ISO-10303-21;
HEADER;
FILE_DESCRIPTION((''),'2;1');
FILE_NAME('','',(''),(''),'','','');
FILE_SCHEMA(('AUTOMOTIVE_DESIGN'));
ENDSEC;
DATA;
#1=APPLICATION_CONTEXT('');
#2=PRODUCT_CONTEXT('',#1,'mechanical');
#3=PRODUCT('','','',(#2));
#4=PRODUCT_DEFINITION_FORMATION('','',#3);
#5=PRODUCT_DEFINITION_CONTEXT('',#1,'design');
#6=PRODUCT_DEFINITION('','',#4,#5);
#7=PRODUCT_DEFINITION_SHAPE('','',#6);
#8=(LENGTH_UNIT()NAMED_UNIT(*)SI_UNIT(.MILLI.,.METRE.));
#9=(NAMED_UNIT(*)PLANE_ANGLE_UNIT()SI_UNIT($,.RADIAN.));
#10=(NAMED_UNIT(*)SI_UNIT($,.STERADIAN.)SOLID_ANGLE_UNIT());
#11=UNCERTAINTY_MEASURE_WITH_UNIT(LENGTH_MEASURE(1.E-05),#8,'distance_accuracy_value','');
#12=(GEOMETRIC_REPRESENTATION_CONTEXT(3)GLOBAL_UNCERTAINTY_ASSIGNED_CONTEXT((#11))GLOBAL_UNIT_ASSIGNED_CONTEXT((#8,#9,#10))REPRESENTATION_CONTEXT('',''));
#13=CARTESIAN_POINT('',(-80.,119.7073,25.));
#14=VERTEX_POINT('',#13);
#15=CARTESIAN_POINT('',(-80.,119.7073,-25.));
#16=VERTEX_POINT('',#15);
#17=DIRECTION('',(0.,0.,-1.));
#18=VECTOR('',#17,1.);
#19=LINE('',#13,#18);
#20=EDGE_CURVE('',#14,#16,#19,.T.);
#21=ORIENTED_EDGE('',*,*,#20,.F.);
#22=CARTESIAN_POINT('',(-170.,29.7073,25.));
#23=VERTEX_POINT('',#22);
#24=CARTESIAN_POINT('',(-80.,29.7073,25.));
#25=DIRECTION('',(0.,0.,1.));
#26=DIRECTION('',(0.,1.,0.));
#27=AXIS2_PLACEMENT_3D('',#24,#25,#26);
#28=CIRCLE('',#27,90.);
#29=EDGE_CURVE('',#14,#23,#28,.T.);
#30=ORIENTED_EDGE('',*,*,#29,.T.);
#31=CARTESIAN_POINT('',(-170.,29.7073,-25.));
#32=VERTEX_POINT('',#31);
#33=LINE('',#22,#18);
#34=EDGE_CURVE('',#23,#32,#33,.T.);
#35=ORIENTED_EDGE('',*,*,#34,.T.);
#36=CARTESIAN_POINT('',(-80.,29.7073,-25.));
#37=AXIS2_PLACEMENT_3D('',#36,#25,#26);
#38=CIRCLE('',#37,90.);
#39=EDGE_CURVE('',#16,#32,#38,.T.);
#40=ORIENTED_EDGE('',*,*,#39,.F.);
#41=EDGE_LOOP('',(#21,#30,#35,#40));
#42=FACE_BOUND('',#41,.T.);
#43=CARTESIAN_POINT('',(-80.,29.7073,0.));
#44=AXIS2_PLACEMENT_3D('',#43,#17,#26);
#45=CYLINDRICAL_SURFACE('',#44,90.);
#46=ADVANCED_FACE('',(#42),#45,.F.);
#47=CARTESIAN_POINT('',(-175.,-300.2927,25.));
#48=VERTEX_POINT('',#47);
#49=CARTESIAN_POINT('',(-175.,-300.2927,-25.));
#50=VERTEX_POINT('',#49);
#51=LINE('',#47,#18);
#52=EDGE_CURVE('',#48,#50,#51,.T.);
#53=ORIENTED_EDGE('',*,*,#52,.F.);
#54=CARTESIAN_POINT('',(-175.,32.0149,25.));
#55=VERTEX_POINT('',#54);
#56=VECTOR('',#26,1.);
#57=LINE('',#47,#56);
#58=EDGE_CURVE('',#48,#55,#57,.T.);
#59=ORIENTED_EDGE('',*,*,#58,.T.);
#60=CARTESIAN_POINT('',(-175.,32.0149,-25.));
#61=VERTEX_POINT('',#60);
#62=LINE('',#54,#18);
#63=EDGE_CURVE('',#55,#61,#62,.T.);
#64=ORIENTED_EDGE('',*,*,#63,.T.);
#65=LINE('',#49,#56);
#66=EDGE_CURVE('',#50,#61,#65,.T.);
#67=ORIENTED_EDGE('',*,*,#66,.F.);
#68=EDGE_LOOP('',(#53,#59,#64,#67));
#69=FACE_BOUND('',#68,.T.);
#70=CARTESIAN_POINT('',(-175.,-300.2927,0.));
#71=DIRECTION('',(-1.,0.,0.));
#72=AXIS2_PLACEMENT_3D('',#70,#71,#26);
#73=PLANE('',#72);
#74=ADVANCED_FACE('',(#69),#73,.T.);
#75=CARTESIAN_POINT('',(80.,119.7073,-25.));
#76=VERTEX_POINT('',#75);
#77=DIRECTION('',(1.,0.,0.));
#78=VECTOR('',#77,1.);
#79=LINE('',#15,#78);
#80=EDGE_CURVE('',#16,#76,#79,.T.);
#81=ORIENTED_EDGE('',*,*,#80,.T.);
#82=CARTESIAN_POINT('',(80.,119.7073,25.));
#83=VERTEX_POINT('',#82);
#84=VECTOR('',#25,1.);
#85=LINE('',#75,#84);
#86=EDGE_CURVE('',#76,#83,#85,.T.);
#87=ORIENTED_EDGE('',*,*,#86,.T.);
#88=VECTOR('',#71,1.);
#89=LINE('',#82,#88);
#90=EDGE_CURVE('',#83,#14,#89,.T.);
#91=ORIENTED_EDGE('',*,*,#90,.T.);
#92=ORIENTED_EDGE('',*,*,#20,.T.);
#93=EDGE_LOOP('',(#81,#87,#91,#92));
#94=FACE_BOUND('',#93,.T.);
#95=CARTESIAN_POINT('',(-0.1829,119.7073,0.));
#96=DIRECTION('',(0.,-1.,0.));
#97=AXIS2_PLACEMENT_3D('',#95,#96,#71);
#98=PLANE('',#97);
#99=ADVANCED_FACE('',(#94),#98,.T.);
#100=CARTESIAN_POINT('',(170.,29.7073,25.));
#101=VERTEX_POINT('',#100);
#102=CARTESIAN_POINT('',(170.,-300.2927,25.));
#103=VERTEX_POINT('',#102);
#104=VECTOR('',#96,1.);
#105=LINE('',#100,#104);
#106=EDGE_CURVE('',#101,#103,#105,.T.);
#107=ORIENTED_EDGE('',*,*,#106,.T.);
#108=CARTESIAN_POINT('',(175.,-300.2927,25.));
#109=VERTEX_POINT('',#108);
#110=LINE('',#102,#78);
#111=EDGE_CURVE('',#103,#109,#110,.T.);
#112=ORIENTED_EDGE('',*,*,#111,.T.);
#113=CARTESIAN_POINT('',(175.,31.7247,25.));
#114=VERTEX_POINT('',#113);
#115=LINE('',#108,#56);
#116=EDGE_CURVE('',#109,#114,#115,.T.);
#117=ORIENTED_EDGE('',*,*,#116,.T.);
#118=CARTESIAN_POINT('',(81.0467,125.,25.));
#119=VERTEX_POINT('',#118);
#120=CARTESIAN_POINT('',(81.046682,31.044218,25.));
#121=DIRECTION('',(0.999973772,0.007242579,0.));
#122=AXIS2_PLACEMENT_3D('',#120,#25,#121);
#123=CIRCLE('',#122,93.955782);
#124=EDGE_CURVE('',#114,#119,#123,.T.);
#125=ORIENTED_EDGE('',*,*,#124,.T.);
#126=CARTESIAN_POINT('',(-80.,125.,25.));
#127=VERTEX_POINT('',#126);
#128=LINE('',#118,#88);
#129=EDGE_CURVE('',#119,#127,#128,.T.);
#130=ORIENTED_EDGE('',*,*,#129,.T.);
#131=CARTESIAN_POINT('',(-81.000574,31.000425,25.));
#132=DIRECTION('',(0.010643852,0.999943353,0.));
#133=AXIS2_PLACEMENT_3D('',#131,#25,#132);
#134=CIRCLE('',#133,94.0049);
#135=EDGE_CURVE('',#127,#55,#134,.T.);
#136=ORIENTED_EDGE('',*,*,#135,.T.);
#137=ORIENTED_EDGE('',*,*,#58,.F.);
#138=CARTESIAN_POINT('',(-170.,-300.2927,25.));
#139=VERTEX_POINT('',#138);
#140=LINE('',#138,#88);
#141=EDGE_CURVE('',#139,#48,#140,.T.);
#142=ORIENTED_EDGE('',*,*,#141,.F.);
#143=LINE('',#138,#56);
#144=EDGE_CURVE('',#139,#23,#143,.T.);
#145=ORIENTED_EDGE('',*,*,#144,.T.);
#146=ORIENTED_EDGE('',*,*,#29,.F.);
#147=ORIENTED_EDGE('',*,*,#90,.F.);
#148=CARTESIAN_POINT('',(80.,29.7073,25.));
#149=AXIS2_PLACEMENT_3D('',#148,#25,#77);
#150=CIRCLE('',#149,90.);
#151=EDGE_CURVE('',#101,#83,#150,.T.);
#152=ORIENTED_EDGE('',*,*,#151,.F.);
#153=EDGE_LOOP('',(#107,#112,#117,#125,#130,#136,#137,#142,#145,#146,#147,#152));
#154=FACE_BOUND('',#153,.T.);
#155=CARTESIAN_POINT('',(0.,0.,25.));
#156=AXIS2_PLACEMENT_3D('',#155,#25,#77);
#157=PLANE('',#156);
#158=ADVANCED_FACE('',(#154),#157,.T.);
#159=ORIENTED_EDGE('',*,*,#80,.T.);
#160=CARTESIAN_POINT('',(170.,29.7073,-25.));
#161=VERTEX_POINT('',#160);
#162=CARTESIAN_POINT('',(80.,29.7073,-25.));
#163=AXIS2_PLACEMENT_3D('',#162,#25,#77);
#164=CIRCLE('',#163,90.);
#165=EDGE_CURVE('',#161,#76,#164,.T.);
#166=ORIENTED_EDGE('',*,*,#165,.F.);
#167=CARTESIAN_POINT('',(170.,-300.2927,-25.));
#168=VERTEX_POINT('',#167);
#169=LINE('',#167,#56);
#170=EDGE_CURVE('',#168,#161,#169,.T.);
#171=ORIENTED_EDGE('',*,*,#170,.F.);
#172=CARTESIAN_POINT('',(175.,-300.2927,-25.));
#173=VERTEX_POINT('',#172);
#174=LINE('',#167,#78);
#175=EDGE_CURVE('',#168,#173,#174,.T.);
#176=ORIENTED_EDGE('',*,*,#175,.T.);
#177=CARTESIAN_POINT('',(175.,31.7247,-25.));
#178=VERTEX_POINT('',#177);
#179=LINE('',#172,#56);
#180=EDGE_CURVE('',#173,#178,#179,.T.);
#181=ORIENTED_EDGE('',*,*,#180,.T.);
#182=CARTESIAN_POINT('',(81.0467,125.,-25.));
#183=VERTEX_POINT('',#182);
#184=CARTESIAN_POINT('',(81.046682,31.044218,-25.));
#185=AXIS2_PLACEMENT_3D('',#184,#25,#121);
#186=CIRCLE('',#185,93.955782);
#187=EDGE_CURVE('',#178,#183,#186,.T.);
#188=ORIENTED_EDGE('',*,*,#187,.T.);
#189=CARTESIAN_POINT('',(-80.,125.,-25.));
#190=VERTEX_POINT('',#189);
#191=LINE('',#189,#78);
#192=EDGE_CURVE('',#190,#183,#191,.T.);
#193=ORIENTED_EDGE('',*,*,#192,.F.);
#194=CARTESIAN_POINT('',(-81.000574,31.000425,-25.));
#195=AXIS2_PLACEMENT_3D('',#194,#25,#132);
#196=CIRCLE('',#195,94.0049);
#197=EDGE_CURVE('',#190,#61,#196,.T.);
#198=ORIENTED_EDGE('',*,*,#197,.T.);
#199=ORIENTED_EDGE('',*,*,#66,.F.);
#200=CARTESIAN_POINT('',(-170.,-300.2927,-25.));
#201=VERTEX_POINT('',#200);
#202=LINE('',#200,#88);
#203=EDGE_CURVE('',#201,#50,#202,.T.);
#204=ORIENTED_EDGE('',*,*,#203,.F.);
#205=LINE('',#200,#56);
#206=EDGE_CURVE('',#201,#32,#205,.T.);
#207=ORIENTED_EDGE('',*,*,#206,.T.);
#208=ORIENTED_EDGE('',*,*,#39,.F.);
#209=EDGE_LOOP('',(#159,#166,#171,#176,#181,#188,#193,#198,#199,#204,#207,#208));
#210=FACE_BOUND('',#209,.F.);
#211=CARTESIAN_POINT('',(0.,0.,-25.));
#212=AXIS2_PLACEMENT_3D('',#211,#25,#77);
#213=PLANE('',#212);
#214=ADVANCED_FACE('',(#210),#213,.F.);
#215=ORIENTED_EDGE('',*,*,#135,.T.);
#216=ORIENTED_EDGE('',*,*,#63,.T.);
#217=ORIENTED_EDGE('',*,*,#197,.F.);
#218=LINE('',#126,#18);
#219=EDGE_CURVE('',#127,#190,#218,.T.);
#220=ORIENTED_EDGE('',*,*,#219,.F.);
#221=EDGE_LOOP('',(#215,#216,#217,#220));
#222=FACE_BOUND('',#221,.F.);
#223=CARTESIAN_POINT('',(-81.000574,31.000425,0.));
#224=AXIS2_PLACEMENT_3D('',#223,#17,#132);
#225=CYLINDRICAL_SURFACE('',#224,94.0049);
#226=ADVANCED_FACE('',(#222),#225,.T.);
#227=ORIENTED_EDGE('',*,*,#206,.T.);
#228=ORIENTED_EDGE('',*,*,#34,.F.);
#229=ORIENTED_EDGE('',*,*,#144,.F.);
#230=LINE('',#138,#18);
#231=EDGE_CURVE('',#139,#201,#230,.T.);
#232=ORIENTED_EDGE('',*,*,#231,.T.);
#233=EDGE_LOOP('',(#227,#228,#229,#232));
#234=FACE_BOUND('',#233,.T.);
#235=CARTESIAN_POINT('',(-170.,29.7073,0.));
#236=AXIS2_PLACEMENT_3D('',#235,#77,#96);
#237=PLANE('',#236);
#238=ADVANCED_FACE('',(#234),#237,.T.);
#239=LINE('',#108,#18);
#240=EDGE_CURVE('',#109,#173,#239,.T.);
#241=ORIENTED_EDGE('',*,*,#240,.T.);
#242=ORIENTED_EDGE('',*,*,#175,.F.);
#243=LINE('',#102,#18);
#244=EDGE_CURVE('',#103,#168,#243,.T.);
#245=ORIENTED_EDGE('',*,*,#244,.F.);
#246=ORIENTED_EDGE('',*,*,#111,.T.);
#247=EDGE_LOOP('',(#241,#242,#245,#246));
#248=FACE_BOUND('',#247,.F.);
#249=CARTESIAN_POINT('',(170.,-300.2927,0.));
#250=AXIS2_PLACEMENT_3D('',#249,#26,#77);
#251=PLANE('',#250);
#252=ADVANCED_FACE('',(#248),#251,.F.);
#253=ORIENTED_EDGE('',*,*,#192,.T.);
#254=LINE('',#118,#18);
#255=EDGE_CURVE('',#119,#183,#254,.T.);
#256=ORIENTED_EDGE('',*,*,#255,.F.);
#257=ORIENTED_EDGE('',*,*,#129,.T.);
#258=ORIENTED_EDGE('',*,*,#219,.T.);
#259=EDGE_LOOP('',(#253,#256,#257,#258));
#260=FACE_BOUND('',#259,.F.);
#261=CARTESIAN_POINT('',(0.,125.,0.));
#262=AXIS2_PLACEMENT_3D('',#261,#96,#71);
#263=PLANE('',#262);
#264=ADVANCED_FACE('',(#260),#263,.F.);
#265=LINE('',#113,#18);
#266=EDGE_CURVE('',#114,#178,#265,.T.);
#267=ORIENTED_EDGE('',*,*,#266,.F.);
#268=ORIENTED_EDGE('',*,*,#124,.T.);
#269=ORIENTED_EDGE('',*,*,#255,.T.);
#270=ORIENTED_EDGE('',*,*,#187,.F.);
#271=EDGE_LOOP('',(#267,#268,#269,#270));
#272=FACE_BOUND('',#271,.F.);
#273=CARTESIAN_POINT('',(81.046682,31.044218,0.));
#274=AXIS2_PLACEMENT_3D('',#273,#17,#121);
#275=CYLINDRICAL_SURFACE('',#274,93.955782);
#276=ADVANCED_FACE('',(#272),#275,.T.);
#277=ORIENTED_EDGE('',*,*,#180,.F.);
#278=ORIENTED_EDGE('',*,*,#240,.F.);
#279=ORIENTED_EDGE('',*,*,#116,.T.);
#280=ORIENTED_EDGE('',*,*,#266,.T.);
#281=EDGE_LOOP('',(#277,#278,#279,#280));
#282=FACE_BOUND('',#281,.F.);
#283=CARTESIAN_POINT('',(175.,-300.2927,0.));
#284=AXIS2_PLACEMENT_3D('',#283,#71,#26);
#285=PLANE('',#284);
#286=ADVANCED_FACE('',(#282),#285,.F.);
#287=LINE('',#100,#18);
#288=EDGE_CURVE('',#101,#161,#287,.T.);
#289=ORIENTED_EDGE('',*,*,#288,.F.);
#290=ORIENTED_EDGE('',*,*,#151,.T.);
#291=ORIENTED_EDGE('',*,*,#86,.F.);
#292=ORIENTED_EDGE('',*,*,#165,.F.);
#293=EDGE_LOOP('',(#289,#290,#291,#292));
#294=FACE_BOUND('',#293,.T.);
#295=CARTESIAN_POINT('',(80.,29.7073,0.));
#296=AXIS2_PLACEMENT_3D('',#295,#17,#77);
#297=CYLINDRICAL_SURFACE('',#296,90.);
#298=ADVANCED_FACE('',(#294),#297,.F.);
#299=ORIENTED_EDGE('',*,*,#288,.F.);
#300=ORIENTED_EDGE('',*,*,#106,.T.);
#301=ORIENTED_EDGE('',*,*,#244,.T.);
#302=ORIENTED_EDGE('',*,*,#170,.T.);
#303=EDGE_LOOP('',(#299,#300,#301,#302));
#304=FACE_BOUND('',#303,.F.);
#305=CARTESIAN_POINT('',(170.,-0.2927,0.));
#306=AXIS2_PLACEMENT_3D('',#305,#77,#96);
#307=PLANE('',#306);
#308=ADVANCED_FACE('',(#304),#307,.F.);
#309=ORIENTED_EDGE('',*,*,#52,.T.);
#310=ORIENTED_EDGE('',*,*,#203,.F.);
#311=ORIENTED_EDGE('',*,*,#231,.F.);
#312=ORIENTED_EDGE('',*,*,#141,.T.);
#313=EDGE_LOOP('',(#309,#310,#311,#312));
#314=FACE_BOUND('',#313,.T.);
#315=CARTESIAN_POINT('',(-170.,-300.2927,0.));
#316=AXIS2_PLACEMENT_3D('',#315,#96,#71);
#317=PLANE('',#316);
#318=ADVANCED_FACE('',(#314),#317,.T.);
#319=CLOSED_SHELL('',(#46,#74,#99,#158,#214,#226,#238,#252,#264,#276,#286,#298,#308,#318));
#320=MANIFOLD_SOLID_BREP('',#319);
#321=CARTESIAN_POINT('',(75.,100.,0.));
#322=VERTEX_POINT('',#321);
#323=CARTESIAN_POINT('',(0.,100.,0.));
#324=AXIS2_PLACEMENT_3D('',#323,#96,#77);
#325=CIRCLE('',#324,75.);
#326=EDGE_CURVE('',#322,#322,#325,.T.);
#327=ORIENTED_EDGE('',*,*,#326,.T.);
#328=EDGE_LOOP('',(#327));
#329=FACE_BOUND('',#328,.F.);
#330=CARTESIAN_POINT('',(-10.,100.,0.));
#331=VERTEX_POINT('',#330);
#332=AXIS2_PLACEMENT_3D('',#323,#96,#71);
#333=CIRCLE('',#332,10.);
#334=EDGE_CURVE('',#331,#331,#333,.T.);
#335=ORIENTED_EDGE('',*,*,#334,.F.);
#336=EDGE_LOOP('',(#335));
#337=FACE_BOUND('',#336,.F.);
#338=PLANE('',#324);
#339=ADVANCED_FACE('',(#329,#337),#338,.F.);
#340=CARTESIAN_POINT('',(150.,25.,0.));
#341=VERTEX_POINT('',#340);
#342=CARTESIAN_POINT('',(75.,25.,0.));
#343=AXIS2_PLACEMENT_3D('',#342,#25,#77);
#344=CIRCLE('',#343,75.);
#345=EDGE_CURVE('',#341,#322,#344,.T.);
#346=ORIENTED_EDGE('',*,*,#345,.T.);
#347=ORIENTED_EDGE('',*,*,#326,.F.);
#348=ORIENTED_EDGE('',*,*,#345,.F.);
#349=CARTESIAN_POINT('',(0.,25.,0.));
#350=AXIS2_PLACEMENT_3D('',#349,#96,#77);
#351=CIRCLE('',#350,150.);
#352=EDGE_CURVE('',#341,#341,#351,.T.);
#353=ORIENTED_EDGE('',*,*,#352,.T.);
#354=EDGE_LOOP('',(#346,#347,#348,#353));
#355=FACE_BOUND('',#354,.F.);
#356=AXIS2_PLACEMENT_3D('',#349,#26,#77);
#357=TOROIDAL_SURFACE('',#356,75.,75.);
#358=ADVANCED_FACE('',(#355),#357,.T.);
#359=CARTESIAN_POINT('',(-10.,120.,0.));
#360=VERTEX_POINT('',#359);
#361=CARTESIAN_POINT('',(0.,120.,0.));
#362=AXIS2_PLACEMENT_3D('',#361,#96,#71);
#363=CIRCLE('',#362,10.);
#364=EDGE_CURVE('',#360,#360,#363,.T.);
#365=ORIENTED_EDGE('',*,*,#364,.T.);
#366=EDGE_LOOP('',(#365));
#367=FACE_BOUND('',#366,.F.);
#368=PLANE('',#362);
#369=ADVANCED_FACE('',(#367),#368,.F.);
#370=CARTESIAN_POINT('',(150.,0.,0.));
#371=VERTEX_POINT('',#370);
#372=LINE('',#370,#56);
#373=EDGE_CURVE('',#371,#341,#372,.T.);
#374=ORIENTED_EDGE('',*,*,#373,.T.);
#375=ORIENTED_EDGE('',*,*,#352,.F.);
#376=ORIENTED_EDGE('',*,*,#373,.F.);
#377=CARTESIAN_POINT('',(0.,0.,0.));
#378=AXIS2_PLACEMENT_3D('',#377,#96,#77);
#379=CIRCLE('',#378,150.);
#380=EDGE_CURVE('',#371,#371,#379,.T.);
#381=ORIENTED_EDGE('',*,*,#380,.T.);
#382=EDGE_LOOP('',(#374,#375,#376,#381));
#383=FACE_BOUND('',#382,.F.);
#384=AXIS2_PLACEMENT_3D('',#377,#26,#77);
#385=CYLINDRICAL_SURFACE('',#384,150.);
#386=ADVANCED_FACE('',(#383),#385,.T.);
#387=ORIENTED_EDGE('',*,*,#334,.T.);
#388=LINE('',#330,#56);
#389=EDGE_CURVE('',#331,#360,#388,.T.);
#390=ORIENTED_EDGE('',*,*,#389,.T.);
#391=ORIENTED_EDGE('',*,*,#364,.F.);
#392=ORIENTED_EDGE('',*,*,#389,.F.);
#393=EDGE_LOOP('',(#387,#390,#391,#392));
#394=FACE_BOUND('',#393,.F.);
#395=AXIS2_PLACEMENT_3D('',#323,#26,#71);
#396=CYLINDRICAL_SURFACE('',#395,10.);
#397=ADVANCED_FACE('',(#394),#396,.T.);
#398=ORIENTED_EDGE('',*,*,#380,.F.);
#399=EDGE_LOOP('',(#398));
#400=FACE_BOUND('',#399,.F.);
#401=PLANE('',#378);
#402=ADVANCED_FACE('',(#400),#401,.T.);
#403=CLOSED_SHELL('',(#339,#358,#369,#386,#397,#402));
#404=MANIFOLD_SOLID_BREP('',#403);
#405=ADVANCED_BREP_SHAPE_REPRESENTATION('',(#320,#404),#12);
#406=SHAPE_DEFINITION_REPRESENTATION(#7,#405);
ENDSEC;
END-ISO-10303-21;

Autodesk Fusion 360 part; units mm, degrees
sketch "Sketch1" plane through (0, 0, 0) normal (0, 0, 1) x (1, 0, 0)
  line L0 (0, 0) -> (150, 0)
  line L1 (150, 0) -> (150, 25)
  line L2 (75, 100) -> (0, 100)
  line L3 (0, 100) -> (0, 0)
  arc A0 (150, 25) -> (75, 100) centre (75, 25) ccw
  dimension "d1" = 150
  dimension "d2" = 100
  dimension "d3" = 75
revolve "Revolve1" add sketch "Sketch1" angle 360 about axis through (0, 100, 0) along (0, -1, 0) makes body 1
sketch "Sketch2" plane through (0, 0, 0) normal (0, 0, 1) x (1, 0, 0)
  line L0 (0, 100) -> (-10, 100)
  line L1 (-10, 100) -> (-10, 120)
  line L2 (-10, 120) -> (0, 120)
  line L3 (0, 120) -> (0, 100)
revolve "Revolve2" add sketch "Sketch2" angle 360 about axis through (0, 120, 0) along (0, -1, 0) bodies 1
sketch "Sketch3" plane through (0, 0, 0) normal (0, 0, 1) x (1, 0, 0)
  line L0 (-0.1829, 119.7073) -> (-80, 119.7073)
  arc A0 (-80, 119.7073) -> (-170, 29.7073) centre (-80, 29.7073) ccw
  line L1 (-170, 29.7073) -> (-170, -0.2927)
  line L2 (-170, -0.2927) -> (-170, -300.2927)
  line L3 (0, 119.7073) -> (-80, 119.7073)
  arc A1 (-80, 119.7073) -> (-170, 29.7073) centre (-80, 29.7073) ccw
  line L4 (-170, -0.2927) -> (-170, -300.2927)
  line L5 (-170, 29.7073) -> (-170, -0.2927)
  line L6 (0, 119.7073) -> (80, 119.7073)
  arc A2 (170, 29.7073) -> (80, 119.7073) centre (80, 29.7073) ccw
  line L7 (170, 29.7073) -> (170, -0.2927)
  line L8 (170, -0.2927) -> (170, -300.2927)
  line L9 (170, -300.2927) -> (175, -300.2927)
  line L10 (175, -300.2927) -> (175, 31.7247)
  line L11 (0, 125) -> (80, 125)
  line L12 (80, 125) -> (81.0467, 125)
  arc A3 (175, 31.7247) -> (81.0467, 125) centre (81.0467, 31.0442) ccw
  line L13 (0, 125) -> (-80, 125)
  arc A4 (-80, 125) -> (-175, 32.0149) centre (-81.0006, 31.0004) ccw
  line L14 (-175, -300.2927) -> (-175, 32.0149)
  line L15 (-170, -300.2927) -> (-175, -300.2927)
  dimension "d6" = 300
  dimension "d7" = 300
  dimension "d8" = 5
extrude "Extrude1" add sketch "Sketch3" along normal blind 25 and the other way blind 25 separate body makes body 2
sketch "Sketch4" plane through (175, 0, 0) normal (1, 0, 0) x (0, 0, -1)
  line L0 (25, 31.7247) -> (-25, 31.7247)
  line L1 (-25, 31.7247) -> (-25, -300.2927)
  line L2 (-25, -300.2927) -> (25, -300.2927)
  line L3 (25, -300.2927) -> (25, 31.7247)
  line L4 (0, -300.2927) -> (-125, -300.2927)
  line L5 (-125, -250.2927) -> (0, -250.2927)
  line L6 (0, -250.2927) -> (0, -300.2927)
  line L7 (125, -250.2927) -> (0, -250.2927)
  line L8 (0, -300.2927) -> (125, -300.2927)
  arc A0 (-125, -250.2927) -> (-150, -275.2927) centre (-125, -275.2927) ccw
  arc A1 (-150, -275.2927) -> (-125, -300.2927) centre (-125, -275.2927) ccw
  arc A2 (150, -275.2927) -> (125, -250.2927) centre (125, -275.2927) ccw
  arc A3 (125, -300.2927) -> (150, -275.2927) centre (125, -275.2927) ccw
  point P0 (-150, -300.2927)
  dimension "d13" = 150
  dimension "d14" = 50
  dimension "d15" = 25
